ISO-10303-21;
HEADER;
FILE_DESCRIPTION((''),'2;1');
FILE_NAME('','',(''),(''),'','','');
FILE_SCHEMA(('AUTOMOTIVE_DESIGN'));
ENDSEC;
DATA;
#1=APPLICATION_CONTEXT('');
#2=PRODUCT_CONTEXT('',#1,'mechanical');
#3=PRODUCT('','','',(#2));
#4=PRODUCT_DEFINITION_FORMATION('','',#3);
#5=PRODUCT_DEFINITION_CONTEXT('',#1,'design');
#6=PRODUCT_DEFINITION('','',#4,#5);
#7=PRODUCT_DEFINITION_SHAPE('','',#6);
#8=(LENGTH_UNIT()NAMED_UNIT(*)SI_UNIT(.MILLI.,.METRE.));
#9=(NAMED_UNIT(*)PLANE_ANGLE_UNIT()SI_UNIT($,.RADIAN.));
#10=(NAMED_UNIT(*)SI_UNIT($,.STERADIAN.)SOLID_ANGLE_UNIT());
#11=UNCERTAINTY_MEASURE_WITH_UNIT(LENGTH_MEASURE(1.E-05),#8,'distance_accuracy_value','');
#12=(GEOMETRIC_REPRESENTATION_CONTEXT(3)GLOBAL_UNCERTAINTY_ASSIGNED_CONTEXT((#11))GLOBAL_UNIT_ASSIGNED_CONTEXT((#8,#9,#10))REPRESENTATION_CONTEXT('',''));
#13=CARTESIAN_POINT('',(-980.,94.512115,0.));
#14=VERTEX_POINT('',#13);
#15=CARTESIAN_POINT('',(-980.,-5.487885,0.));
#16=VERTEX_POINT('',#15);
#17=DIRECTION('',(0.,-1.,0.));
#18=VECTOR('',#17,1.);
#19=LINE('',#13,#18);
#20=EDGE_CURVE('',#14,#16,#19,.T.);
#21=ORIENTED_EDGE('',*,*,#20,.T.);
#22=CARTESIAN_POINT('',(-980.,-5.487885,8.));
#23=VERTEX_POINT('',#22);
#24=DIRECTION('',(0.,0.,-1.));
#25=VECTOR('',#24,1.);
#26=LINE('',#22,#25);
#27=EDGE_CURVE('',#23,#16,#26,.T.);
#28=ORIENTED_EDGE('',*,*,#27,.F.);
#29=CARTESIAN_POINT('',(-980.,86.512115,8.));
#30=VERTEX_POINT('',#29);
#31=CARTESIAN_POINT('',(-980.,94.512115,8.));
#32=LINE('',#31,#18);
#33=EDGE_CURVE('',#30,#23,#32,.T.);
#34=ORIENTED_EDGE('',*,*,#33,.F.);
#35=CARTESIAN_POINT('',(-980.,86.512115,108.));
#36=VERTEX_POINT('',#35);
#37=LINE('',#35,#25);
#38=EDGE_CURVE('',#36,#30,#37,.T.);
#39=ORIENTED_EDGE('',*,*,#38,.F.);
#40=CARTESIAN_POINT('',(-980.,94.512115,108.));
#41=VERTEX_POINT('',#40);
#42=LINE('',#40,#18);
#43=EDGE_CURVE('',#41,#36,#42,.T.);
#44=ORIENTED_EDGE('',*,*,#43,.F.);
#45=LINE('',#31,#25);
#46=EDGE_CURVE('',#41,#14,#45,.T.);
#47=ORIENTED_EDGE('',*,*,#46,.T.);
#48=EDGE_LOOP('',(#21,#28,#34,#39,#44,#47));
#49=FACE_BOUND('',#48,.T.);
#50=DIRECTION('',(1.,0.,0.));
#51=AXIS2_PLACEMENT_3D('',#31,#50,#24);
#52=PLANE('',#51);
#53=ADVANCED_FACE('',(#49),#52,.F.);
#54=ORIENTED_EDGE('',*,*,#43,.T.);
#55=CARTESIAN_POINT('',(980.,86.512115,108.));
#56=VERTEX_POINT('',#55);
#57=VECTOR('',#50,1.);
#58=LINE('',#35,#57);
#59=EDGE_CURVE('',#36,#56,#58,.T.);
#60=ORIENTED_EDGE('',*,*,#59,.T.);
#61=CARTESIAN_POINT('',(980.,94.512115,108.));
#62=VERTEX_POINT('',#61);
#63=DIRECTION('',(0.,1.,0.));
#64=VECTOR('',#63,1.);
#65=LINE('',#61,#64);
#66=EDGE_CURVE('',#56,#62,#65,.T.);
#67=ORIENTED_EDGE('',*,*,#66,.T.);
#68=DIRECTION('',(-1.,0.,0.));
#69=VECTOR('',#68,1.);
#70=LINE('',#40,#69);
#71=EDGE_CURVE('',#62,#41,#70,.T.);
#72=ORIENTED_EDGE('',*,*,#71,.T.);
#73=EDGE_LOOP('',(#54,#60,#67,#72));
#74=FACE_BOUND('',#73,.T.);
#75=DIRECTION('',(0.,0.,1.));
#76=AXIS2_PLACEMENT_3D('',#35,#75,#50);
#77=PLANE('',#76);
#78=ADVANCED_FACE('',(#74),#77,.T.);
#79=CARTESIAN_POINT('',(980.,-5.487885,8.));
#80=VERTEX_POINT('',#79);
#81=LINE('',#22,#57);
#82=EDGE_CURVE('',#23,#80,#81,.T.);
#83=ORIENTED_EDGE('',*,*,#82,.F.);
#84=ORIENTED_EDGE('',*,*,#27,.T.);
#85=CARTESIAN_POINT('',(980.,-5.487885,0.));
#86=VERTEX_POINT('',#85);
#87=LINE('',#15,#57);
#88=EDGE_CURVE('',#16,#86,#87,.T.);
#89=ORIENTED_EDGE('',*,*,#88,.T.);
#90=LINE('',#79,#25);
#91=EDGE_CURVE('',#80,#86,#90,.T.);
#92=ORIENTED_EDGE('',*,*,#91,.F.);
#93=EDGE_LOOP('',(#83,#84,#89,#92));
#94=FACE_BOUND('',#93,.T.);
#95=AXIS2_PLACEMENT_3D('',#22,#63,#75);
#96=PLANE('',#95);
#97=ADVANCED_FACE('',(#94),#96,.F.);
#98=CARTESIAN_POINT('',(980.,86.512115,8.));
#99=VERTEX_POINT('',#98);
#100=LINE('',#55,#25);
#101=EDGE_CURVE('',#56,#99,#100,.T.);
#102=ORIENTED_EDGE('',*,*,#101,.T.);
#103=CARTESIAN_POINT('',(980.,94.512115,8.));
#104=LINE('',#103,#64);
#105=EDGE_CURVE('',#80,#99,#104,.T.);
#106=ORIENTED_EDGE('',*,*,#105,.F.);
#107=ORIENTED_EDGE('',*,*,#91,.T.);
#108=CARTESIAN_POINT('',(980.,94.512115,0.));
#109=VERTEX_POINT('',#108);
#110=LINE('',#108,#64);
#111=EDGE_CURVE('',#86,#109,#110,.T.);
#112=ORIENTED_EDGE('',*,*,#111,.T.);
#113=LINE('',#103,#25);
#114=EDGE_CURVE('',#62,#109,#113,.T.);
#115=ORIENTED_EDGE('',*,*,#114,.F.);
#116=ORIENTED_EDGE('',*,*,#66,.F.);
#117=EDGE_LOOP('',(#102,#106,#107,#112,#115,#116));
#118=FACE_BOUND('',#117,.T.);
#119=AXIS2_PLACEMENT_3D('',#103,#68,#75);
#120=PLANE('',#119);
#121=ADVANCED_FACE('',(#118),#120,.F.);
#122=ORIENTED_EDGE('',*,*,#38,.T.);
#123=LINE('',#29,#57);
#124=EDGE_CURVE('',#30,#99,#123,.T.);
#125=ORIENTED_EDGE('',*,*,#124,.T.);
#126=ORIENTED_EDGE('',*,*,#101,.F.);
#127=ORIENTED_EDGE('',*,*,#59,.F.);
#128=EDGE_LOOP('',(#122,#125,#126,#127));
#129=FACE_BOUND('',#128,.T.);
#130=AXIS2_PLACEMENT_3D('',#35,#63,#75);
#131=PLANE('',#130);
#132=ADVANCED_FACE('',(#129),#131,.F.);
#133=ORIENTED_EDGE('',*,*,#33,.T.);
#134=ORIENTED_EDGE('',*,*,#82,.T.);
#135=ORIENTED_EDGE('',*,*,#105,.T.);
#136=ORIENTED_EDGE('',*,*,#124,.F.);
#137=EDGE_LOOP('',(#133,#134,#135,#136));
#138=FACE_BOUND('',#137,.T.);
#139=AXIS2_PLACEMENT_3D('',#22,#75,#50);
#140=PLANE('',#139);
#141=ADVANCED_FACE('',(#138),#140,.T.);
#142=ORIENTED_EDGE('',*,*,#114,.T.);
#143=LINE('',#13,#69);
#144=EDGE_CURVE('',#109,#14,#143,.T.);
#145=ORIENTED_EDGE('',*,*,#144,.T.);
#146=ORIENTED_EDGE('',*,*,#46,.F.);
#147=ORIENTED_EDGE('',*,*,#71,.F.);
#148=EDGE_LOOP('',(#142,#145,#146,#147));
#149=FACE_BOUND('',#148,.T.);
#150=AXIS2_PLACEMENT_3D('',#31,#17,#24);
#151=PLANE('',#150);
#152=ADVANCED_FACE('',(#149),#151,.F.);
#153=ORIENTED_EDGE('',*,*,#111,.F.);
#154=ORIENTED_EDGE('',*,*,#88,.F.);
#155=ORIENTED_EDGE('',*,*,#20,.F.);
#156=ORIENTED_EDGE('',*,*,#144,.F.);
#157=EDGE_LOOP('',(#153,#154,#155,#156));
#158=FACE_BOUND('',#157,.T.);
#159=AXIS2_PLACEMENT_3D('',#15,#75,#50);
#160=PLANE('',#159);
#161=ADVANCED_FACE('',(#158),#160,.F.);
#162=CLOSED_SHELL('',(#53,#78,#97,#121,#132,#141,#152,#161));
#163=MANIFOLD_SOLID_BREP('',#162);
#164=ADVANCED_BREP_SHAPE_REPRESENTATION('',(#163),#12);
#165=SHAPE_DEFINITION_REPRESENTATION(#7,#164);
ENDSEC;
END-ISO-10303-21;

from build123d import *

# Parameters (mm, degrees)
SKETCH_1_W        = 1960
SKETCH_1_H        = 100
EXTRUDE_665_DEPTH = 8
SKETCH_2_W        = 1960
SKETCH_2_H        = 8
EXTRUDE_1_DEPTH   = 100


with BuildPart() as part:
    # 草图1 → Extrude 665 (new body)
    with BuildSketch(Plane.XY):
        with Locations((0, 44.512115183)):
            Rectangle(SKETCH_1_W, SKETCH_1_H)
    extrude(amount=EXTRUDE_665_DEPTH)

    # 草图2 → 凸台-拉伸1 (add)
    with BuildSketch(Plane.XY.offset(8)):
        with Locations((0, 90.512115183)):
            Rectangle(SKETCH_2_W, SKETCH_2_H)
    extrude(amount=EXTRUDE_1_DEPTH)


solid = part.part
